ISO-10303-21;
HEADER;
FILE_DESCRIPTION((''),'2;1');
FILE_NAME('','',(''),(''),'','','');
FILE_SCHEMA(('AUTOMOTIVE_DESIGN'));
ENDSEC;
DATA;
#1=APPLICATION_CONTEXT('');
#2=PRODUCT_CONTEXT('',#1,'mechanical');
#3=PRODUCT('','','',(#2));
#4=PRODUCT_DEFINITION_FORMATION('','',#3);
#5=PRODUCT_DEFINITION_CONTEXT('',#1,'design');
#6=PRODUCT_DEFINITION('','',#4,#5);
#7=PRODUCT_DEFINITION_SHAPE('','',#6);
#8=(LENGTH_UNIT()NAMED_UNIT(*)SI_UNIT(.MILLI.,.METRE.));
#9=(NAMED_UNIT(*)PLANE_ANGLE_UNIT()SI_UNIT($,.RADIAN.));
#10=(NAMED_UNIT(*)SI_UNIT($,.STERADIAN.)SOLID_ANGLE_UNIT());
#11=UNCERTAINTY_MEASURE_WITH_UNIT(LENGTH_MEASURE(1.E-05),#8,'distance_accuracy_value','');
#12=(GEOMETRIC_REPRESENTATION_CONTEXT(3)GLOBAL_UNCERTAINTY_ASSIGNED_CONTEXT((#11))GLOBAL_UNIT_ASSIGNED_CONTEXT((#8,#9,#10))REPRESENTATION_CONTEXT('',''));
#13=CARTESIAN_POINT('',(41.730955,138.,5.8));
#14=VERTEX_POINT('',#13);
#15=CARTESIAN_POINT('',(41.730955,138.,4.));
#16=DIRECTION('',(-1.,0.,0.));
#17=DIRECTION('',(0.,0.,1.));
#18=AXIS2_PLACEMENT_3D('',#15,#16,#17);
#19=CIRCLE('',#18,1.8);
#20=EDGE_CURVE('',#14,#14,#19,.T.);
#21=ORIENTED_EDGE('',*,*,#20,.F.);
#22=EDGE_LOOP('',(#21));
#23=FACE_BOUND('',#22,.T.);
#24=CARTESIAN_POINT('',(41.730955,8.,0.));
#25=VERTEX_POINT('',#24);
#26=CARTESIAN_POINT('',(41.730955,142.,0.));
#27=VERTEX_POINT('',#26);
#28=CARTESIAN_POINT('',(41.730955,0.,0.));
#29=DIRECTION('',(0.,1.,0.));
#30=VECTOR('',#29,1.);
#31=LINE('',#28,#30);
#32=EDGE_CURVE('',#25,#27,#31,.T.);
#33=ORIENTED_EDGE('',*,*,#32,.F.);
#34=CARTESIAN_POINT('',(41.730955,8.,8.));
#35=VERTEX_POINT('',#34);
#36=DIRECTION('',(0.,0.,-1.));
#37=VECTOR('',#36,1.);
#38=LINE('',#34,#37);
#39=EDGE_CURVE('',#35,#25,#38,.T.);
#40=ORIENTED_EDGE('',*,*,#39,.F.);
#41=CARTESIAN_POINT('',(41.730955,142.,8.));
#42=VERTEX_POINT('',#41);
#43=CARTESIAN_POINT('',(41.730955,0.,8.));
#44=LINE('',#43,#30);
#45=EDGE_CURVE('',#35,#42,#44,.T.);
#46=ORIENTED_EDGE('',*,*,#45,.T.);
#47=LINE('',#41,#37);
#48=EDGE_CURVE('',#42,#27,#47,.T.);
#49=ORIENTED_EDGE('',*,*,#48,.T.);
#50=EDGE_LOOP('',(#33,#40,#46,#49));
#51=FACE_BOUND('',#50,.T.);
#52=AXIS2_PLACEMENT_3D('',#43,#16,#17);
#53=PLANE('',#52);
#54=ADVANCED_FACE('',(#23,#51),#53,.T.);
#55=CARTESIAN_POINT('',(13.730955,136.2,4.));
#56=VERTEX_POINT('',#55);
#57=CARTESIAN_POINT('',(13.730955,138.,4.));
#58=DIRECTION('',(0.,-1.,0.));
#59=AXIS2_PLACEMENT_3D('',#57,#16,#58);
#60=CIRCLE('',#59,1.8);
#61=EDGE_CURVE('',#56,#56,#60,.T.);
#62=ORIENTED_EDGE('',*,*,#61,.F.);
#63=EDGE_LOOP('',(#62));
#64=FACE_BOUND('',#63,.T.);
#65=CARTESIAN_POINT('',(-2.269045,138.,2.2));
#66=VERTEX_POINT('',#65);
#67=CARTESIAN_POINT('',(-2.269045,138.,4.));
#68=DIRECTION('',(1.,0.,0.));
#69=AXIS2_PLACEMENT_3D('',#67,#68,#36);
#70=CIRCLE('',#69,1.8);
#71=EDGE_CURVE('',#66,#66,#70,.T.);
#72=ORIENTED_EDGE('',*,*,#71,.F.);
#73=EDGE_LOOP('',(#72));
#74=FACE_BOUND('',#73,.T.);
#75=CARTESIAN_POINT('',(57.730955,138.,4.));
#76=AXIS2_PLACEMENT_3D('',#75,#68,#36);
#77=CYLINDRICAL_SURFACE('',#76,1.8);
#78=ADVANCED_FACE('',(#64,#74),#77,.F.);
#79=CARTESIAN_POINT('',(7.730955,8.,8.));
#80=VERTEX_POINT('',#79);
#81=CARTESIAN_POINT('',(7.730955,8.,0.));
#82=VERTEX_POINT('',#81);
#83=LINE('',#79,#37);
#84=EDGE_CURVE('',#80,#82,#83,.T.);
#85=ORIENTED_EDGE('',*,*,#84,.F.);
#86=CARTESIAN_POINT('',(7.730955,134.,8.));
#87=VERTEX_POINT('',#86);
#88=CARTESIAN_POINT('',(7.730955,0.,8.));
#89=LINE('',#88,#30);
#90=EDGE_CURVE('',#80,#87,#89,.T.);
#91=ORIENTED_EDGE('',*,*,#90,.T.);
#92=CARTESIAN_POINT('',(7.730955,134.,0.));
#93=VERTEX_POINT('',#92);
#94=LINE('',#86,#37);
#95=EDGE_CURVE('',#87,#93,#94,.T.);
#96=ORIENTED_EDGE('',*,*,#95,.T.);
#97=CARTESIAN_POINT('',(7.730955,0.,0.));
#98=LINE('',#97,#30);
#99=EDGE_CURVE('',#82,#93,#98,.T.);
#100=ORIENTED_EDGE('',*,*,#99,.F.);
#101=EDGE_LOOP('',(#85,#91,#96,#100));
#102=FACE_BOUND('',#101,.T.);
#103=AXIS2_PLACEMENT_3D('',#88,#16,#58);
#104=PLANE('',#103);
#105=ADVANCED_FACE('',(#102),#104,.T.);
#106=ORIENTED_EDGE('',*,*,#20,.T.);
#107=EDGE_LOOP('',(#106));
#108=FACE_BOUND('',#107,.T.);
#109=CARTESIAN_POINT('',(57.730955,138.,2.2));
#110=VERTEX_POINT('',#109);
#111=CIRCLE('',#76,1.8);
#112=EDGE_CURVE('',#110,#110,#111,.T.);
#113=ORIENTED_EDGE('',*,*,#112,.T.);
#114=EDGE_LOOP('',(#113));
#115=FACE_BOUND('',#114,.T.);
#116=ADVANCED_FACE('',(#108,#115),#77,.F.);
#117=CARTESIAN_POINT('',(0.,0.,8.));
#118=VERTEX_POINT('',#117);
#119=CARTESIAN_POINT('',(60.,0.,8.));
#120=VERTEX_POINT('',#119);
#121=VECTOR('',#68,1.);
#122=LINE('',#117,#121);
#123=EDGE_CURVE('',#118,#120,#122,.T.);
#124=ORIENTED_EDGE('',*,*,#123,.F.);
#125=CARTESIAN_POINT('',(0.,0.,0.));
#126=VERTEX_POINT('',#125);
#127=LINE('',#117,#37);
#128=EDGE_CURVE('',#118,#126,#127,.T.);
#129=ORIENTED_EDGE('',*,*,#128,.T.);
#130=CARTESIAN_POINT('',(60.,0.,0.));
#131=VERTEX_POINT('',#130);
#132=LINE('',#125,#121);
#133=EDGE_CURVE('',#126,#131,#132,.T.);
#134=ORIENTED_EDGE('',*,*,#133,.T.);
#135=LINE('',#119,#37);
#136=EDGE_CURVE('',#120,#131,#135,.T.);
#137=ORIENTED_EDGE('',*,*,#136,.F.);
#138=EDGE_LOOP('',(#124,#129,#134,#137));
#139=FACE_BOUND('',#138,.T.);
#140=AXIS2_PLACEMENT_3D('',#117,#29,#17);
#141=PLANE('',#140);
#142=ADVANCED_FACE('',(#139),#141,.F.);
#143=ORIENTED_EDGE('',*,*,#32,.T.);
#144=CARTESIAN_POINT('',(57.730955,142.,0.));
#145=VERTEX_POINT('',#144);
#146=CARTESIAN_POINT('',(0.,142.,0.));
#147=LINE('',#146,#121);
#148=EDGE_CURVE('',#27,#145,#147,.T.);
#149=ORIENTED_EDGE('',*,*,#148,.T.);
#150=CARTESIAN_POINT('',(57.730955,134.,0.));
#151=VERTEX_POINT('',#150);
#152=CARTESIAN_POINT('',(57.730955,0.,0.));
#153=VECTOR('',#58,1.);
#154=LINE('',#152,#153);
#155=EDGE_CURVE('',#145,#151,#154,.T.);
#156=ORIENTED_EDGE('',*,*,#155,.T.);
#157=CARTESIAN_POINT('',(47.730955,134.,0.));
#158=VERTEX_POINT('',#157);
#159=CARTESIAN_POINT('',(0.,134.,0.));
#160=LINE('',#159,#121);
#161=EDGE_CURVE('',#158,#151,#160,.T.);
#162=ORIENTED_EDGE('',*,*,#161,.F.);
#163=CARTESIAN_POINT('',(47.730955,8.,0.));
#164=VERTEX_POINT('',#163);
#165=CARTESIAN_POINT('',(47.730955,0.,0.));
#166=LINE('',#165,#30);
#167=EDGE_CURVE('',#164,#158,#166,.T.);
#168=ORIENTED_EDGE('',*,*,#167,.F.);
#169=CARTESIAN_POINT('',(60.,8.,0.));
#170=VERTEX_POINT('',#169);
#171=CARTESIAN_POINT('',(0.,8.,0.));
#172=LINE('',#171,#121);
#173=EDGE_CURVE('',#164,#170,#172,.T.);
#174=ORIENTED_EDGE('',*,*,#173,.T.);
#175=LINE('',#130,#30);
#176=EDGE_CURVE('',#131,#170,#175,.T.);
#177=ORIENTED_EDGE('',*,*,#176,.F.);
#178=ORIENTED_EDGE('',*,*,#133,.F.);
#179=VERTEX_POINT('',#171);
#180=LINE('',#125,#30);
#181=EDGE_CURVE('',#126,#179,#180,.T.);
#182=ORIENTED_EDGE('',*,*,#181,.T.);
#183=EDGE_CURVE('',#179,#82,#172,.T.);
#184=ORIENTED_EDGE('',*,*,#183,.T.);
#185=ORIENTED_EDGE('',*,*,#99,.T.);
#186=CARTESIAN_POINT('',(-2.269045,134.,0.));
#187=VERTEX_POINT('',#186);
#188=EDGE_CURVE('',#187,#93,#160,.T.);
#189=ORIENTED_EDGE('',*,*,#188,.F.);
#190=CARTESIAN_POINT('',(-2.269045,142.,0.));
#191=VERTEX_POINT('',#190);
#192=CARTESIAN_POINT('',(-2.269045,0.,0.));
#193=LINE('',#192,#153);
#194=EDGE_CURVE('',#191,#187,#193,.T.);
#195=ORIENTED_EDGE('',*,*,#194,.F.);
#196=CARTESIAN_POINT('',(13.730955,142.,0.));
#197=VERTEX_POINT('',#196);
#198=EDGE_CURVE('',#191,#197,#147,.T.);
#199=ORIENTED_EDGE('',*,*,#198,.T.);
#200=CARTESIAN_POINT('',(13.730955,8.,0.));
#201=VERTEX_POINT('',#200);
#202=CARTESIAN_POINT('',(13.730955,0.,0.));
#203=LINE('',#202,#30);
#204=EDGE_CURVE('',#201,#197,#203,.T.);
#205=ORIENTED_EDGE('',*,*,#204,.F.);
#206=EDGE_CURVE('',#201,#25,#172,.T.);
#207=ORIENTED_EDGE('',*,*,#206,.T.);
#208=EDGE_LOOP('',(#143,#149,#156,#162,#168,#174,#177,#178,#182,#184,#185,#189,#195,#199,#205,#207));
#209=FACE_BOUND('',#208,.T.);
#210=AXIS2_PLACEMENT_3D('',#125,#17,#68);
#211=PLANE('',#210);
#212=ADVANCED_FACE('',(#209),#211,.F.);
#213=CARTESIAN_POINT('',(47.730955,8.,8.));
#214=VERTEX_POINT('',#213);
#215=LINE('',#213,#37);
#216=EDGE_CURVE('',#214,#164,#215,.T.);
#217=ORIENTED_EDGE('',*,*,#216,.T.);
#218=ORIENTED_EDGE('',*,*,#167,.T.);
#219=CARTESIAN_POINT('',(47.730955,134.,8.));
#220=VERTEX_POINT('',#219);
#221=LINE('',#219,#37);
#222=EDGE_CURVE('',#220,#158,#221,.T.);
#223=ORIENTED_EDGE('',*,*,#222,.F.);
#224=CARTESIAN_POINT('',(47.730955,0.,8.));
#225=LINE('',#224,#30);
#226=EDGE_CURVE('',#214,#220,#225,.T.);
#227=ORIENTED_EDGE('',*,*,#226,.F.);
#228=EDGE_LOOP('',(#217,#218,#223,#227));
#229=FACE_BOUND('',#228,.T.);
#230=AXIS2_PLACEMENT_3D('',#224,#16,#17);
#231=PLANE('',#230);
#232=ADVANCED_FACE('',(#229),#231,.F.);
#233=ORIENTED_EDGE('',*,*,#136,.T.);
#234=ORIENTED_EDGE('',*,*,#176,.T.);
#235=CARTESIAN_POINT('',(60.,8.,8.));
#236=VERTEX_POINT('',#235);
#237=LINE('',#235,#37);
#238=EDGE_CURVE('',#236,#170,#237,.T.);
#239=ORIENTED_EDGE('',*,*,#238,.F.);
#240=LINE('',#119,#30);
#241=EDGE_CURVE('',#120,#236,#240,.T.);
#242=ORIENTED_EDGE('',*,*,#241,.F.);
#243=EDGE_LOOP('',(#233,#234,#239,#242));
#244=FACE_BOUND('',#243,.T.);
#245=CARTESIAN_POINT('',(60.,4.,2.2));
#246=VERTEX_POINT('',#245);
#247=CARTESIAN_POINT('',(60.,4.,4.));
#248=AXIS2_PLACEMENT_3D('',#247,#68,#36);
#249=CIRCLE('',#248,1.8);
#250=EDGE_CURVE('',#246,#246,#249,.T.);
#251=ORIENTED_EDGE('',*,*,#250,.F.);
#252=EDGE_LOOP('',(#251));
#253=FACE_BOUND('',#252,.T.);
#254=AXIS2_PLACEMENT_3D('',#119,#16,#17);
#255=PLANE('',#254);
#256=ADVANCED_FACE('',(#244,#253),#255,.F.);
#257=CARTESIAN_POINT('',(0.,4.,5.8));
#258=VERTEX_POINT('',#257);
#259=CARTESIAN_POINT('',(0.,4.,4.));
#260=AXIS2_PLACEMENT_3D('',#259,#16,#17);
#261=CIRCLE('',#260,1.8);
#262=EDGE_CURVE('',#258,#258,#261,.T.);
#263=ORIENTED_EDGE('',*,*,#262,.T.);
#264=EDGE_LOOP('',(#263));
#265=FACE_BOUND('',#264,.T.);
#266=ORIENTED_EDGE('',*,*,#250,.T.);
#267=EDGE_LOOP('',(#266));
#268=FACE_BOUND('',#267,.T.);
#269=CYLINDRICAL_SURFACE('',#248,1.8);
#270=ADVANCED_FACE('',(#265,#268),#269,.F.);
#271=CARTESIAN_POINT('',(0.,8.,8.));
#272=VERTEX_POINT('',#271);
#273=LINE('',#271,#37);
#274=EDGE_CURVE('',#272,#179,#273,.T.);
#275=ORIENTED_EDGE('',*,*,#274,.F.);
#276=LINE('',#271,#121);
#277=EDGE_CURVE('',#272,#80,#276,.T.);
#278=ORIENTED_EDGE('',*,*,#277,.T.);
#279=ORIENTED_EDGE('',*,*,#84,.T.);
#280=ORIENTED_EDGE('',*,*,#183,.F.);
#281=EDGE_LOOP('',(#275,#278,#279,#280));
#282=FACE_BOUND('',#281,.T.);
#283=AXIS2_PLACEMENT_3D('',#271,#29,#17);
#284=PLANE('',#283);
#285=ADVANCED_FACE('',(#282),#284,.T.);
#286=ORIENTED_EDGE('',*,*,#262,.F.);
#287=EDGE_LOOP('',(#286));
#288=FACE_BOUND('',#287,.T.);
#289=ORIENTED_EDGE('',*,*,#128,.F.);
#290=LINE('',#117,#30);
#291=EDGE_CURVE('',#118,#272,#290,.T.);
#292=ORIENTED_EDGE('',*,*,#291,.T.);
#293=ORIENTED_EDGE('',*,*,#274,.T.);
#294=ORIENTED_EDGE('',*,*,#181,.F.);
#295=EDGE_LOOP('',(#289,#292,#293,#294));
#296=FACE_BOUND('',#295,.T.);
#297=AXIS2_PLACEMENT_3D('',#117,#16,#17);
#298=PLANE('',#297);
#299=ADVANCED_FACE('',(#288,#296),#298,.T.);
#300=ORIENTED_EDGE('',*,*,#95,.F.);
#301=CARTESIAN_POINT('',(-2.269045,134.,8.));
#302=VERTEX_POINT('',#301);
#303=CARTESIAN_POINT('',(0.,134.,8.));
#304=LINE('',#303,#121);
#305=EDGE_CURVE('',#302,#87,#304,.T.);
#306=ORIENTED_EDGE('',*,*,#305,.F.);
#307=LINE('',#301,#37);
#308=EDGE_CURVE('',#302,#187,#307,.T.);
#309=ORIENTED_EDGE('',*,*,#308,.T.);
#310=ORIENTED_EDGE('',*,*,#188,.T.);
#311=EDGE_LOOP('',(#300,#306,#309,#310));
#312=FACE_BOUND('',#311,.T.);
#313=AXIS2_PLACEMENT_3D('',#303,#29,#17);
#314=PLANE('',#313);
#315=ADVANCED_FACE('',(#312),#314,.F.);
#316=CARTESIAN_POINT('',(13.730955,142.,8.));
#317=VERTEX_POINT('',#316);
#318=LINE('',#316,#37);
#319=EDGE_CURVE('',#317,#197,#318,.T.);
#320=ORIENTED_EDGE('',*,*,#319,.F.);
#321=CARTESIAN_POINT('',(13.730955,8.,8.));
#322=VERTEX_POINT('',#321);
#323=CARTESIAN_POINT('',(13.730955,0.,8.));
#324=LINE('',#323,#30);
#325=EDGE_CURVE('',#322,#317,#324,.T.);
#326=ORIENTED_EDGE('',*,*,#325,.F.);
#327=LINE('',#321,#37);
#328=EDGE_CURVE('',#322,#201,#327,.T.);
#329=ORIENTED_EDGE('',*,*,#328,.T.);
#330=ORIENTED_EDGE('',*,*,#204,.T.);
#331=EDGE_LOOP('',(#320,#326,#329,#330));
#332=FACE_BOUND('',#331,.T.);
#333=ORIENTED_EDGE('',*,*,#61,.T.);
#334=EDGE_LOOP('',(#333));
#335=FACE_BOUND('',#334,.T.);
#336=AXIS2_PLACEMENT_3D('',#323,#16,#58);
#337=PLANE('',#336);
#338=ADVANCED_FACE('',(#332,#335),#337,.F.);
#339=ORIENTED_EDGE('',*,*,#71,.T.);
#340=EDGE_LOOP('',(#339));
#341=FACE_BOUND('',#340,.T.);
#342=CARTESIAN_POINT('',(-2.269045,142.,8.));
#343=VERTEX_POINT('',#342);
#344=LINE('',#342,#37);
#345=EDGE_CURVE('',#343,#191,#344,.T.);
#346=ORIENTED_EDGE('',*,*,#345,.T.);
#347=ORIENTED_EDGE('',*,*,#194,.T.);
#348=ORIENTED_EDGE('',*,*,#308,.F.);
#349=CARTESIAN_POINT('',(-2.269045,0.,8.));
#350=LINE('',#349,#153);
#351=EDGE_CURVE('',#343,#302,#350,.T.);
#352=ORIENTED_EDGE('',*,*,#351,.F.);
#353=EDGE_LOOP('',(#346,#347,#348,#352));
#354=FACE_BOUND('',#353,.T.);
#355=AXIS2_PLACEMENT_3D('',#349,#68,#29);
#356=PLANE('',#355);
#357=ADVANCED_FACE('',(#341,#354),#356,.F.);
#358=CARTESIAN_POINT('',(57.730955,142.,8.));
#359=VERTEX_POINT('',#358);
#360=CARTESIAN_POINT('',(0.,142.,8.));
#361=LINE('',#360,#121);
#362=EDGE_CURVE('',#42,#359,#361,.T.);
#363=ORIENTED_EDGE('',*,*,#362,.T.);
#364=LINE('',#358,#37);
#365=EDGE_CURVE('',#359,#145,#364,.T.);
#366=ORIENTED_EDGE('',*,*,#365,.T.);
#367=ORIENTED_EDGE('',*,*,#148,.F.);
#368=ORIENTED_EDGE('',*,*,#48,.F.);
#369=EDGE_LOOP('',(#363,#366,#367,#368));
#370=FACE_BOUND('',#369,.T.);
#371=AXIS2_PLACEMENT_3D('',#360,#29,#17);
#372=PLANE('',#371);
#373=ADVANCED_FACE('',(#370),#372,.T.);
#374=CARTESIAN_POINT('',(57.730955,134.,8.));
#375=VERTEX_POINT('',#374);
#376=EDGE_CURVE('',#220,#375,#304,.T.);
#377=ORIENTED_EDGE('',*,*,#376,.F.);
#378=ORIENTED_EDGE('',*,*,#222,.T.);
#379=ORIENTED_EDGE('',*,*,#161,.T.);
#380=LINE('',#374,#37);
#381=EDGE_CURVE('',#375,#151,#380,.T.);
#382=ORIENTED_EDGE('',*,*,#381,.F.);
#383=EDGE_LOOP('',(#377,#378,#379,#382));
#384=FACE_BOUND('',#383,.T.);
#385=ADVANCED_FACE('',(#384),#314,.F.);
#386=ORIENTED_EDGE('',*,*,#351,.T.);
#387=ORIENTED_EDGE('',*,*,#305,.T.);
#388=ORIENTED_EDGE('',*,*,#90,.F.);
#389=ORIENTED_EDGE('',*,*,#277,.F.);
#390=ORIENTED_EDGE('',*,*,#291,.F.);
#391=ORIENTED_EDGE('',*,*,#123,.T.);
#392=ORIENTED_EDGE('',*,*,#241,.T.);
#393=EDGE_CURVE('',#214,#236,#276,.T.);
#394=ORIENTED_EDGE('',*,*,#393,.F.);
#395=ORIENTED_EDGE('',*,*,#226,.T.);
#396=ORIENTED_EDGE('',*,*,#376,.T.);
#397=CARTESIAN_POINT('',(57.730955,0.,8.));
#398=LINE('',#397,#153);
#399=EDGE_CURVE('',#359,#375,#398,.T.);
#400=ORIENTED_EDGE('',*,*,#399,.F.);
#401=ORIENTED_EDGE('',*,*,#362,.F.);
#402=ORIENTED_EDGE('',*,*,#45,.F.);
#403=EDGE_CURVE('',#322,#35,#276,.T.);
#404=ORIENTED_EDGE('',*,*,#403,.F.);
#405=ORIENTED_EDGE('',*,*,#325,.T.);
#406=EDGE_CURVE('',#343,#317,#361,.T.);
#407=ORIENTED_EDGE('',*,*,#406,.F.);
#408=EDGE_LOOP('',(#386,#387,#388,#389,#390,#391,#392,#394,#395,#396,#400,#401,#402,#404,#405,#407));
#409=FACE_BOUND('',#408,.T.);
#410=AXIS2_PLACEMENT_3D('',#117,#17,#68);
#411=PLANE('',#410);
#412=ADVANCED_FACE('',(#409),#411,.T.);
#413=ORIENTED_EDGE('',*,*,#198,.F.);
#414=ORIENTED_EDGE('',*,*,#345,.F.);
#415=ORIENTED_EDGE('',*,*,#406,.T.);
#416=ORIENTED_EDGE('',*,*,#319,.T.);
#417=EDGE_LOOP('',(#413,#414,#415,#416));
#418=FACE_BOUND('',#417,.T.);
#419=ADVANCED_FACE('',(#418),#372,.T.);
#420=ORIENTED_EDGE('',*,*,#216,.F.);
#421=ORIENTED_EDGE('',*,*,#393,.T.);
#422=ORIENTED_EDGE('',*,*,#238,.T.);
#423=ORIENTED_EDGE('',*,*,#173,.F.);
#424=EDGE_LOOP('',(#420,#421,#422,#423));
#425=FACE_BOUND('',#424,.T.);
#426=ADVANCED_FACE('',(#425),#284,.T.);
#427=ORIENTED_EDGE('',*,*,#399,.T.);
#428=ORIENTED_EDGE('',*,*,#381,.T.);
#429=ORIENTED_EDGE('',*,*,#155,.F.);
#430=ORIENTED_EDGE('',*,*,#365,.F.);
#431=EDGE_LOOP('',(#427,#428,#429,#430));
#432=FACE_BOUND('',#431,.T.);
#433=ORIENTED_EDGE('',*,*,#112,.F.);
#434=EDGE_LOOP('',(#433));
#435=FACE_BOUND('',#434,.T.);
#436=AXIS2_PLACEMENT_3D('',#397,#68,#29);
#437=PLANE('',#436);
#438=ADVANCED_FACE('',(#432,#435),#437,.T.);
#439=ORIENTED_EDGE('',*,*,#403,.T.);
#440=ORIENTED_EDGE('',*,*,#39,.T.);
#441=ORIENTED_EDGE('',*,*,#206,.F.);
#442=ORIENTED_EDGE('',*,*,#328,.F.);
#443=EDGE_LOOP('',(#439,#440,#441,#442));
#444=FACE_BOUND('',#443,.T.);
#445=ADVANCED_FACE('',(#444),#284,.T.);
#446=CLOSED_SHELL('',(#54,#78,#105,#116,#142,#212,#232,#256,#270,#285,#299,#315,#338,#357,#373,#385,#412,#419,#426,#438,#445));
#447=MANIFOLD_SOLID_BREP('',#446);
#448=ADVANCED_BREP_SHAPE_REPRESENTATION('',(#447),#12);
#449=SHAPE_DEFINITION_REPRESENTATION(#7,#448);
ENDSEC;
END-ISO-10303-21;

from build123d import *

# Parameters (mm, degrees)
CROQUIS8_W                   = 6
CROQUIS8_H                   = 126
CROQUIS8_W_2                 = 60
CROQUIS8_H_2                 = 8
SALIENTE_EXTRUIR1_DEPTH      = 8
TALADRO_DE_MARGEN_PARA_M31_D = 3.6
TALADRO_DE_MARGEN_PARA_M32_D = 3.6


with BuildPart() as part:
    # Croquis8 → Saliente-Extruir1 (new body)
    with BuildSketch(Plane.XY):
        Polygon((7.730954987, 134), (13.730954987, 134), (13.730954987, 142), (-2.269045013, 142), (-2.269045013, 134), align=None)
        with Locations((10.730954987, 71)):
            Rectangle(CROQUIS8_W, CROQUIS8_H)
        Polygon((41.730954987, 142), (41.730954987, 134), (47.730954987, 134), (57.730954987, 134), (57.730954987, 142), align=None)
        with Locations((44.730954987, 71)):
            Rectangle(CROQUIS8_W, CROQUIS8_H)
        with Locations((30, 4)):
            Rectangle(CROQUIS8_W_2, CROQUIS8_H_2)
    extrude(amount=SALIENTE_EXTRUIR1_DEPTH)

    # Taladro de margen para M31 (through all)
    with Locations(Plane(origin=(57.730954987, 0, 0), x_dir=(0, 0, -1), z_dir=(1, 0, 0))):
        with Locations((-4, 138)):
            Hole(TALADRO_DE_MARGEN_PARA_M31_D / 2)

    # Taladro de margen para M32 (through all)
    with Locations(Plane(origin=(60, 0, 0), x_dir=(0, 0, -1), z_dir=(1, 0, 0))):
        with Locations((-4, 4)):
            Hole(TALADRO_DE_MARGEN_PARA_M32_D / 2)


solid = part.part
